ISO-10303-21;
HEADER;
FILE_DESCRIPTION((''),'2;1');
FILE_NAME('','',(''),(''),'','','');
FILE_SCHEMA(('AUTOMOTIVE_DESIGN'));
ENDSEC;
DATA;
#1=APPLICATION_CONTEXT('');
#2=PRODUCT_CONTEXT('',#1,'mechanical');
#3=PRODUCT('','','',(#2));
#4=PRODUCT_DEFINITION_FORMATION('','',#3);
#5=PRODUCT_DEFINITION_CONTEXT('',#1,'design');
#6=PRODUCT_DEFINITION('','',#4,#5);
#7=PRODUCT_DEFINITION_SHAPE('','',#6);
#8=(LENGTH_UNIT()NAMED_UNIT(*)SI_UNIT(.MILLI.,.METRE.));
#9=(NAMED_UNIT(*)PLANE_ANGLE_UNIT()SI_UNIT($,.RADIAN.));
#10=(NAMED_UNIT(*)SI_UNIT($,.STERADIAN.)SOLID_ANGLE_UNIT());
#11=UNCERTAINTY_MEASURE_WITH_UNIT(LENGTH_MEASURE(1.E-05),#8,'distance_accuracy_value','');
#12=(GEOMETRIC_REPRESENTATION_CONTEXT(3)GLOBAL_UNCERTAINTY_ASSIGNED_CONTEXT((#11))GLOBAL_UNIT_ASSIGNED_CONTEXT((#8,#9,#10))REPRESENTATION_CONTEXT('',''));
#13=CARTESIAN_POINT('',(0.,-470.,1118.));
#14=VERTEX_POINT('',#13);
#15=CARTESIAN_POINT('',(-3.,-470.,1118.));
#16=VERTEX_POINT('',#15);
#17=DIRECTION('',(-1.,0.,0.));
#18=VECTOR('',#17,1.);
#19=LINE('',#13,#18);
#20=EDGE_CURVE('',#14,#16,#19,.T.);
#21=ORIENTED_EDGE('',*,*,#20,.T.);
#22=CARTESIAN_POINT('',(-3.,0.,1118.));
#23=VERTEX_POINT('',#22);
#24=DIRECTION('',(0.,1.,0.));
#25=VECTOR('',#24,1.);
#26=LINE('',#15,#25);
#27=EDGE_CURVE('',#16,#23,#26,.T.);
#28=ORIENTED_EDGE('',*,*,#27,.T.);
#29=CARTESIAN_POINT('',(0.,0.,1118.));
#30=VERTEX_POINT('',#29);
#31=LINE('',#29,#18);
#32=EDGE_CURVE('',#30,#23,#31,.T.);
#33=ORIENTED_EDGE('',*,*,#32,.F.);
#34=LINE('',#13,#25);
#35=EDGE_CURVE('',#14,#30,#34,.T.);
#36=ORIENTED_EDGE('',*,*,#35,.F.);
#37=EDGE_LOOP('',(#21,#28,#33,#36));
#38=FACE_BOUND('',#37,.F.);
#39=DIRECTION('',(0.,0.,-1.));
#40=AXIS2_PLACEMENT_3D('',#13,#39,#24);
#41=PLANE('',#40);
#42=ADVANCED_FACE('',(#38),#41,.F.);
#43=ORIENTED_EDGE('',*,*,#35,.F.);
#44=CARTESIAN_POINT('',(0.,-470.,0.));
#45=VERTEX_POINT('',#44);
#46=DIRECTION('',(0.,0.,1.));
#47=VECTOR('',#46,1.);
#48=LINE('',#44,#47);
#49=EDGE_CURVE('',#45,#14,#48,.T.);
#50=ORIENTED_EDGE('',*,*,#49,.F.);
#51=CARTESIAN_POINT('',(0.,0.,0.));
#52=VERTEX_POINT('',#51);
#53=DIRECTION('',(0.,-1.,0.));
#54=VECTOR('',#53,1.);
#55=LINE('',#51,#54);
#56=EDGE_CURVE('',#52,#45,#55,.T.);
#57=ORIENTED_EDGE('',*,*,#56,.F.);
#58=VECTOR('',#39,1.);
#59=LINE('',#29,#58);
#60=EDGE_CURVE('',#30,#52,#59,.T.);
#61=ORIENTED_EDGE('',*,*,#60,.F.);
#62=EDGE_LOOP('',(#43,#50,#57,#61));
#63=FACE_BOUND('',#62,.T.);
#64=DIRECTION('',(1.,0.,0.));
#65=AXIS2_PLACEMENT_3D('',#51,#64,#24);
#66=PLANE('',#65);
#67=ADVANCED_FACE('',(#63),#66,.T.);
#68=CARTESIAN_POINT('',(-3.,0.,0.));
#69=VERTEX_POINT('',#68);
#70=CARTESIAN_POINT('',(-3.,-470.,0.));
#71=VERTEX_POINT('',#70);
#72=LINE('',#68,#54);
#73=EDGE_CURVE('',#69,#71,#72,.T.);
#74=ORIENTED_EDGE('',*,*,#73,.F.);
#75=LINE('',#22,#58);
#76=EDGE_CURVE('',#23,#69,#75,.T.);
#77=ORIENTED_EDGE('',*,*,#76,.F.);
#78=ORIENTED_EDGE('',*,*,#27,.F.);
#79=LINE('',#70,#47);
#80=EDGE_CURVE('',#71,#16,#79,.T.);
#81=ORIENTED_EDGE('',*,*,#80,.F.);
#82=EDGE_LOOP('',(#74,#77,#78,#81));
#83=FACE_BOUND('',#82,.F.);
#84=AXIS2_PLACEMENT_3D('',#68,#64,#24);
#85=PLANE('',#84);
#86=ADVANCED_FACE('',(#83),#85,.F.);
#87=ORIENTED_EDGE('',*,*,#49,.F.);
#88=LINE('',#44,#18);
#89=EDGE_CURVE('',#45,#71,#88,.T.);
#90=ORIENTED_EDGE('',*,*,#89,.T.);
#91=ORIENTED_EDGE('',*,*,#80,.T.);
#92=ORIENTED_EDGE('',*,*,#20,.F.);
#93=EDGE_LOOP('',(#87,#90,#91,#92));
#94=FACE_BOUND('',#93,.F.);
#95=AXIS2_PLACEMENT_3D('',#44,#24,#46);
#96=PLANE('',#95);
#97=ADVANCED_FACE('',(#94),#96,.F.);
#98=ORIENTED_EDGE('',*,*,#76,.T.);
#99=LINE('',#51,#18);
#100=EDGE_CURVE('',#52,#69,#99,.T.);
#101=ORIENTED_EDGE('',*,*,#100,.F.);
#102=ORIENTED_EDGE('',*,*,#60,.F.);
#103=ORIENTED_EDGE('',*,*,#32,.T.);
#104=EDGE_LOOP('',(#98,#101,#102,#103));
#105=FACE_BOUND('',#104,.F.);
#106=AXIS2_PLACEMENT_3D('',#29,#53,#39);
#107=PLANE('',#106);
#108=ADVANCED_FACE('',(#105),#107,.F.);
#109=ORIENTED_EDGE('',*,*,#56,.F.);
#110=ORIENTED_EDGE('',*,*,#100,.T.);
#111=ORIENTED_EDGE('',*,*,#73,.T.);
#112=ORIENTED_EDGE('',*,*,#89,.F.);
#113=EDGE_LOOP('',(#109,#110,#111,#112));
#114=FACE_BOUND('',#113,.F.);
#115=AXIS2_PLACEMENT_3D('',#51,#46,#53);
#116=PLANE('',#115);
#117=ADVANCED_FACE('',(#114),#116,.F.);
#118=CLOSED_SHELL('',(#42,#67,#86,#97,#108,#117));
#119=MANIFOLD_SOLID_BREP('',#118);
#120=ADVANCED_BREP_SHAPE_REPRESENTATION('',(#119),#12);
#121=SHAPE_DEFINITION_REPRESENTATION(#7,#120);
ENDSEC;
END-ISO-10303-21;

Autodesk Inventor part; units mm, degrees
ref_plane "YZ Plane" through (0, 0, 0) normal (1, 0, 0) x (0, 1, 0)
ref_plane "XZ Plane" through (0, 0, 0) normal (0, 1, 0) x (-1, 0, 0)
ref_plane "XY Plane" through (0, 0, 0) normal (0, 0, 1) x (1, 0, 0)
sketch "Sketch1" plane through (0, 0, 0) normal (1, 0, 0) x (0, 1, 0)
  line L0 (0, 0) -> (-470, 0)
  line L1 (-470, 0) -> (-470, 1118)
  line L2 (-470, 1118) -> (0, 1118)
  line L3 (0, 1118) -> (0, 0)
  dimension "d0" = 470
  dimension "d1" = 1118
extrude "Extrusion1" add sketch "Sketch1" against normal blind 3
equation "\"d0\" = portaLargura"
equation "\"portaLarguraOld\" = 363"
equation "\"portaAltura\" = 1138"
equation "\"portaLargura\" = 470"
properties part number "acrilicoMovel1"
